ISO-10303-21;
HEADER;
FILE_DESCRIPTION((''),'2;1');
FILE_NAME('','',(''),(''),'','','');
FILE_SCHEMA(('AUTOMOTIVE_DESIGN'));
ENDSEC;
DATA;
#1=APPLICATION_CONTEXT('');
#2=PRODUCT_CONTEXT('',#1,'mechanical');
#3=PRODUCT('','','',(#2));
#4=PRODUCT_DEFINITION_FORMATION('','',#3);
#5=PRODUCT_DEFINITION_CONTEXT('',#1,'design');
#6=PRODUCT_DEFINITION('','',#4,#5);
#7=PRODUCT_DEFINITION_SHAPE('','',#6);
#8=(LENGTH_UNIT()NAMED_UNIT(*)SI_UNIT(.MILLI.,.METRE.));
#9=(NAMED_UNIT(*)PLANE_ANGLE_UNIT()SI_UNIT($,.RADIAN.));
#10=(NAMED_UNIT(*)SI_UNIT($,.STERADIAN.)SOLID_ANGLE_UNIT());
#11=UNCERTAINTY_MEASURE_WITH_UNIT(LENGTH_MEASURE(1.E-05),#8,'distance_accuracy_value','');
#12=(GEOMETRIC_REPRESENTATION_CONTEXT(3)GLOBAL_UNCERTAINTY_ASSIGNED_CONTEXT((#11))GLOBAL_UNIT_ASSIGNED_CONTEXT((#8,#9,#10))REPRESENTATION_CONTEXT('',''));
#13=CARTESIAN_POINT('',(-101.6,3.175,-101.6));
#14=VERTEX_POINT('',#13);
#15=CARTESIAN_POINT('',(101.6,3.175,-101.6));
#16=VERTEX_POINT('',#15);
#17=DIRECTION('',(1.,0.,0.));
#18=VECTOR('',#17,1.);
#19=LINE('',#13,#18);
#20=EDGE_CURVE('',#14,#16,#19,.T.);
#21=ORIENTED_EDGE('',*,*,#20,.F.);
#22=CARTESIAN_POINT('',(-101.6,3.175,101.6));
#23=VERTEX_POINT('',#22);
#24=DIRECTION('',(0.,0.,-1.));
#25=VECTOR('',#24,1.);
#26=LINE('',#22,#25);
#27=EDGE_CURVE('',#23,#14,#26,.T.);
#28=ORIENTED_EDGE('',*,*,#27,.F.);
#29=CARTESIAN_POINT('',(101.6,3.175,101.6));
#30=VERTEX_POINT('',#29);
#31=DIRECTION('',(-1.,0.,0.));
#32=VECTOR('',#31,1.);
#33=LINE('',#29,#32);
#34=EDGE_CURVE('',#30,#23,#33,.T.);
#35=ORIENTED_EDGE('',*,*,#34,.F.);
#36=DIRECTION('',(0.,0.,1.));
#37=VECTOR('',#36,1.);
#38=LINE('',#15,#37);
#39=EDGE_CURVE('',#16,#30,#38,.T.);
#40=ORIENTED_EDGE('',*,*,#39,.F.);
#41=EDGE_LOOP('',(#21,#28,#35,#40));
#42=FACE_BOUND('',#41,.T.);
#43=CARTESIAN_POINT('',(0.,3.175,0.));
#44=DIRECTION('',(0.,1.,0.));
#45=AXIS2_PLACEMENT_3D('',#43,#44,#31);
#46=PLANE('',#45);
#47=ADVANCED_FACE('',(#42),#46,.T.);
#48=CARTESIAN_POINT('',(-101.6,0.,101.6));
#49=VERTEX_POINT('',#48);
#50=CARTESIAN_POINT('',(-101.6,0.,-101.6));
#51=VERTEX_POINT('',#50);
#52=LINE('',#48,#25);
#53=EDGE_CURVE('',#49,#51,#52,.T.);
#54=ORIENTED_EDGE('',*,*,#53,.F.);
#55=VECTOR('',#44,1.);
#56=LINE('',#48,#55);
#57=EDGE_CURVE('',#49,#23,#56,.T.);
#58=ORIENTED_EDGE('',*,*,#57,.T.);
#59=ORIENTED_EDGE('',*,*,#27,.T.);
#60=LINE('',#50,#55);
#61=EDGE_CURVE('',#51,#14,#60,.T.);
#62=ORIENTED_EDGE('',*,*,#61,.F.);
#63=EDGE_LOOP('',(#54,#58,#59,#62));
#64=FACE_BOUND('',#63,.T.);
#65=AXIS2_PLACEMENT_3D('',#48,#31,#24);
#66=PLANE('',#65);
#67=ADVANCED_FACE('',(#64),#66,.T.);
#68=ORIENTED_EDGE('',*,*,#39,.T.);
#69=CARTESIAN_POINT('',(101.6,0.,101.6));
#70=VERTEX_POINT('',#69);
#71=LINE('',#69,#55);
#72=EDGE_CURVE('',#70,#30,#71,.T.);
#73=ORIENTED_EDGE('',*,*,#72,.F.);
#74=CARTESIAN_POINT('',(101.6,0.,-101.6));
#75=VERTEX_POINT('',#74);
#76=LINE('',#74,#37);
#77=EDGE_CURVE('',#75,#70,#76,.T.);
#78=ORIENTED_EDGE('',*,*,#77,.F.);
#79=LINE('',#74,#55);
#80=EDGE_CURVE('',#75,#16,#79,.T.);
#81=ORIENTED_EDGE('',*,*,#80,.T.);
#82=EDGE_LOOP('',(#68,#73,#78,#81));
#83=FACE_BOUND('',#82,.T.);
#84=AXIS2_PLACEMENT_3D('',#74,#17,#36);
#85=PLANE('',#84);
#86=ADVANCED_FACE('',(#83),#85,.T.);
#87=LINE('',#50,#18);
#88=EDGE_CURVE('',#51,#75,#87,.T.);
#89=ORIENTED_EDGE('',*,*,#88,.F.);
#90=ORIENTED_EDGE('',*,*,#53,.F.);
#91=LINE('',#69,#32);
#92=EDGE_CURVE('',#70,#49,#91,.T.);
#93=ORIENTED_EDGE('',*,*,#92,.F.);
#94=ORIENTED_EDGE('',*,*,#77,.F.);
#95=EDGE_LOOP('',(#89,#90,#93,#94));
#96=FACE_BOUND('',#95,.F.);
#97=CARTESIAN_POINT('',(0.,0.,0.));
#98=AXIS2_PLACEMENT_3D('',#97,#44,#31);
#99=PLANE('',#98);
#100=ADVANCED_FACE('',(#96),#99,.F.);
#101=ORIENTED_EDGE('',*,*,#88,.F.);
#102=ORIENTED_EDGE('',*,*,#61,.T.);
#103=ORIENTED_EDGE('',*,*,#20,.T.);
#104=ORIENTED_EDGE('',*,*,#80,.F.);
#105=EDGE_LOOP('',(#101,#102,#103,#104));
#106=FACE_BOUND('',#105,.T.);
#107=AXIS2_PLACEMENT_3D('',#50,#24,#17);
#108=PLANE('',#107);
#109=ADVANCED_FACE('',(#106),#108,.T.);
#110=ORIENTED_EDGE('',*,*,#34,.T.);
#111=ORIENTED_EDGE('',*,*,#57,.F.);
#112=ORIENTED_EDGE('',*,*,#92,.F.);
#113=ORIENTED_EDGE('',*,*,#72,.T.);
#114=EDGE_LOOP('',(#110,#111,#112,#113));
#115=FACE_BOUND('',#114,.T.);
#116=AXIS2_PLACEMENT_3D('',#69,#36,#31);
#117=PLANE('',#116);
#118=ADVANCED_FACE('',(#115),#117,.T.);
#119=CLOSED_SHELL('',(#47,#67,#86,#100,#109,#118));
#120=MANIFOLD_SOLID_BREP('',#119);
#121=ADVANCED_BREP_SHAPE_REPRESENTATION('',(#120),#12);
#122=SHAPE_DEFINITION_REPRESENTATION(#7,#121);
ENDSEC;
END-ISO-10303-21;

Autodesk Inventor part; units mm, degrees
ref_plane "YZ Plane" through (0, 0, 0) normal (1, 0, 0) x (0, 1, 0)
ref_plane "XZ Plane" through (0, 0, 0) normal (0, 1, 0) x (-1, 0, 0)
ref_plane "XY Plane" through (0, 0, 0) normal (0, 0, 1) x (1, 0, 0)
sketch "Sketch1" plane through (0, 0, 0) normal (0, 1, 0) x (-1, 0, 0)
  line L0 (-101.6, 101.6) -> (101.6, 101.6)
  line L1 (101.6, 101.6) -> (101.6, -101.6)
  line L2 (101.6, -101.6) -> (-101.6, -101.6)
  line L3 (-101.6, -101.6) -> (-101.6, 101.6)
  line L4 (-101.6, 101.6) -> (101.6, -101.6) construction
  line L5 (101.6, 101.6) -> (-101.6, -101.6) construction
  point P0 (0, 0)
  dimension "d0" = 203.2
  dimension "d1" = 203.2
extrude "Extrusion1" add sketch "Sketch1" along normal blind 3.175
properties part number "Turntable Bottom" material "Aluminum 6061"
